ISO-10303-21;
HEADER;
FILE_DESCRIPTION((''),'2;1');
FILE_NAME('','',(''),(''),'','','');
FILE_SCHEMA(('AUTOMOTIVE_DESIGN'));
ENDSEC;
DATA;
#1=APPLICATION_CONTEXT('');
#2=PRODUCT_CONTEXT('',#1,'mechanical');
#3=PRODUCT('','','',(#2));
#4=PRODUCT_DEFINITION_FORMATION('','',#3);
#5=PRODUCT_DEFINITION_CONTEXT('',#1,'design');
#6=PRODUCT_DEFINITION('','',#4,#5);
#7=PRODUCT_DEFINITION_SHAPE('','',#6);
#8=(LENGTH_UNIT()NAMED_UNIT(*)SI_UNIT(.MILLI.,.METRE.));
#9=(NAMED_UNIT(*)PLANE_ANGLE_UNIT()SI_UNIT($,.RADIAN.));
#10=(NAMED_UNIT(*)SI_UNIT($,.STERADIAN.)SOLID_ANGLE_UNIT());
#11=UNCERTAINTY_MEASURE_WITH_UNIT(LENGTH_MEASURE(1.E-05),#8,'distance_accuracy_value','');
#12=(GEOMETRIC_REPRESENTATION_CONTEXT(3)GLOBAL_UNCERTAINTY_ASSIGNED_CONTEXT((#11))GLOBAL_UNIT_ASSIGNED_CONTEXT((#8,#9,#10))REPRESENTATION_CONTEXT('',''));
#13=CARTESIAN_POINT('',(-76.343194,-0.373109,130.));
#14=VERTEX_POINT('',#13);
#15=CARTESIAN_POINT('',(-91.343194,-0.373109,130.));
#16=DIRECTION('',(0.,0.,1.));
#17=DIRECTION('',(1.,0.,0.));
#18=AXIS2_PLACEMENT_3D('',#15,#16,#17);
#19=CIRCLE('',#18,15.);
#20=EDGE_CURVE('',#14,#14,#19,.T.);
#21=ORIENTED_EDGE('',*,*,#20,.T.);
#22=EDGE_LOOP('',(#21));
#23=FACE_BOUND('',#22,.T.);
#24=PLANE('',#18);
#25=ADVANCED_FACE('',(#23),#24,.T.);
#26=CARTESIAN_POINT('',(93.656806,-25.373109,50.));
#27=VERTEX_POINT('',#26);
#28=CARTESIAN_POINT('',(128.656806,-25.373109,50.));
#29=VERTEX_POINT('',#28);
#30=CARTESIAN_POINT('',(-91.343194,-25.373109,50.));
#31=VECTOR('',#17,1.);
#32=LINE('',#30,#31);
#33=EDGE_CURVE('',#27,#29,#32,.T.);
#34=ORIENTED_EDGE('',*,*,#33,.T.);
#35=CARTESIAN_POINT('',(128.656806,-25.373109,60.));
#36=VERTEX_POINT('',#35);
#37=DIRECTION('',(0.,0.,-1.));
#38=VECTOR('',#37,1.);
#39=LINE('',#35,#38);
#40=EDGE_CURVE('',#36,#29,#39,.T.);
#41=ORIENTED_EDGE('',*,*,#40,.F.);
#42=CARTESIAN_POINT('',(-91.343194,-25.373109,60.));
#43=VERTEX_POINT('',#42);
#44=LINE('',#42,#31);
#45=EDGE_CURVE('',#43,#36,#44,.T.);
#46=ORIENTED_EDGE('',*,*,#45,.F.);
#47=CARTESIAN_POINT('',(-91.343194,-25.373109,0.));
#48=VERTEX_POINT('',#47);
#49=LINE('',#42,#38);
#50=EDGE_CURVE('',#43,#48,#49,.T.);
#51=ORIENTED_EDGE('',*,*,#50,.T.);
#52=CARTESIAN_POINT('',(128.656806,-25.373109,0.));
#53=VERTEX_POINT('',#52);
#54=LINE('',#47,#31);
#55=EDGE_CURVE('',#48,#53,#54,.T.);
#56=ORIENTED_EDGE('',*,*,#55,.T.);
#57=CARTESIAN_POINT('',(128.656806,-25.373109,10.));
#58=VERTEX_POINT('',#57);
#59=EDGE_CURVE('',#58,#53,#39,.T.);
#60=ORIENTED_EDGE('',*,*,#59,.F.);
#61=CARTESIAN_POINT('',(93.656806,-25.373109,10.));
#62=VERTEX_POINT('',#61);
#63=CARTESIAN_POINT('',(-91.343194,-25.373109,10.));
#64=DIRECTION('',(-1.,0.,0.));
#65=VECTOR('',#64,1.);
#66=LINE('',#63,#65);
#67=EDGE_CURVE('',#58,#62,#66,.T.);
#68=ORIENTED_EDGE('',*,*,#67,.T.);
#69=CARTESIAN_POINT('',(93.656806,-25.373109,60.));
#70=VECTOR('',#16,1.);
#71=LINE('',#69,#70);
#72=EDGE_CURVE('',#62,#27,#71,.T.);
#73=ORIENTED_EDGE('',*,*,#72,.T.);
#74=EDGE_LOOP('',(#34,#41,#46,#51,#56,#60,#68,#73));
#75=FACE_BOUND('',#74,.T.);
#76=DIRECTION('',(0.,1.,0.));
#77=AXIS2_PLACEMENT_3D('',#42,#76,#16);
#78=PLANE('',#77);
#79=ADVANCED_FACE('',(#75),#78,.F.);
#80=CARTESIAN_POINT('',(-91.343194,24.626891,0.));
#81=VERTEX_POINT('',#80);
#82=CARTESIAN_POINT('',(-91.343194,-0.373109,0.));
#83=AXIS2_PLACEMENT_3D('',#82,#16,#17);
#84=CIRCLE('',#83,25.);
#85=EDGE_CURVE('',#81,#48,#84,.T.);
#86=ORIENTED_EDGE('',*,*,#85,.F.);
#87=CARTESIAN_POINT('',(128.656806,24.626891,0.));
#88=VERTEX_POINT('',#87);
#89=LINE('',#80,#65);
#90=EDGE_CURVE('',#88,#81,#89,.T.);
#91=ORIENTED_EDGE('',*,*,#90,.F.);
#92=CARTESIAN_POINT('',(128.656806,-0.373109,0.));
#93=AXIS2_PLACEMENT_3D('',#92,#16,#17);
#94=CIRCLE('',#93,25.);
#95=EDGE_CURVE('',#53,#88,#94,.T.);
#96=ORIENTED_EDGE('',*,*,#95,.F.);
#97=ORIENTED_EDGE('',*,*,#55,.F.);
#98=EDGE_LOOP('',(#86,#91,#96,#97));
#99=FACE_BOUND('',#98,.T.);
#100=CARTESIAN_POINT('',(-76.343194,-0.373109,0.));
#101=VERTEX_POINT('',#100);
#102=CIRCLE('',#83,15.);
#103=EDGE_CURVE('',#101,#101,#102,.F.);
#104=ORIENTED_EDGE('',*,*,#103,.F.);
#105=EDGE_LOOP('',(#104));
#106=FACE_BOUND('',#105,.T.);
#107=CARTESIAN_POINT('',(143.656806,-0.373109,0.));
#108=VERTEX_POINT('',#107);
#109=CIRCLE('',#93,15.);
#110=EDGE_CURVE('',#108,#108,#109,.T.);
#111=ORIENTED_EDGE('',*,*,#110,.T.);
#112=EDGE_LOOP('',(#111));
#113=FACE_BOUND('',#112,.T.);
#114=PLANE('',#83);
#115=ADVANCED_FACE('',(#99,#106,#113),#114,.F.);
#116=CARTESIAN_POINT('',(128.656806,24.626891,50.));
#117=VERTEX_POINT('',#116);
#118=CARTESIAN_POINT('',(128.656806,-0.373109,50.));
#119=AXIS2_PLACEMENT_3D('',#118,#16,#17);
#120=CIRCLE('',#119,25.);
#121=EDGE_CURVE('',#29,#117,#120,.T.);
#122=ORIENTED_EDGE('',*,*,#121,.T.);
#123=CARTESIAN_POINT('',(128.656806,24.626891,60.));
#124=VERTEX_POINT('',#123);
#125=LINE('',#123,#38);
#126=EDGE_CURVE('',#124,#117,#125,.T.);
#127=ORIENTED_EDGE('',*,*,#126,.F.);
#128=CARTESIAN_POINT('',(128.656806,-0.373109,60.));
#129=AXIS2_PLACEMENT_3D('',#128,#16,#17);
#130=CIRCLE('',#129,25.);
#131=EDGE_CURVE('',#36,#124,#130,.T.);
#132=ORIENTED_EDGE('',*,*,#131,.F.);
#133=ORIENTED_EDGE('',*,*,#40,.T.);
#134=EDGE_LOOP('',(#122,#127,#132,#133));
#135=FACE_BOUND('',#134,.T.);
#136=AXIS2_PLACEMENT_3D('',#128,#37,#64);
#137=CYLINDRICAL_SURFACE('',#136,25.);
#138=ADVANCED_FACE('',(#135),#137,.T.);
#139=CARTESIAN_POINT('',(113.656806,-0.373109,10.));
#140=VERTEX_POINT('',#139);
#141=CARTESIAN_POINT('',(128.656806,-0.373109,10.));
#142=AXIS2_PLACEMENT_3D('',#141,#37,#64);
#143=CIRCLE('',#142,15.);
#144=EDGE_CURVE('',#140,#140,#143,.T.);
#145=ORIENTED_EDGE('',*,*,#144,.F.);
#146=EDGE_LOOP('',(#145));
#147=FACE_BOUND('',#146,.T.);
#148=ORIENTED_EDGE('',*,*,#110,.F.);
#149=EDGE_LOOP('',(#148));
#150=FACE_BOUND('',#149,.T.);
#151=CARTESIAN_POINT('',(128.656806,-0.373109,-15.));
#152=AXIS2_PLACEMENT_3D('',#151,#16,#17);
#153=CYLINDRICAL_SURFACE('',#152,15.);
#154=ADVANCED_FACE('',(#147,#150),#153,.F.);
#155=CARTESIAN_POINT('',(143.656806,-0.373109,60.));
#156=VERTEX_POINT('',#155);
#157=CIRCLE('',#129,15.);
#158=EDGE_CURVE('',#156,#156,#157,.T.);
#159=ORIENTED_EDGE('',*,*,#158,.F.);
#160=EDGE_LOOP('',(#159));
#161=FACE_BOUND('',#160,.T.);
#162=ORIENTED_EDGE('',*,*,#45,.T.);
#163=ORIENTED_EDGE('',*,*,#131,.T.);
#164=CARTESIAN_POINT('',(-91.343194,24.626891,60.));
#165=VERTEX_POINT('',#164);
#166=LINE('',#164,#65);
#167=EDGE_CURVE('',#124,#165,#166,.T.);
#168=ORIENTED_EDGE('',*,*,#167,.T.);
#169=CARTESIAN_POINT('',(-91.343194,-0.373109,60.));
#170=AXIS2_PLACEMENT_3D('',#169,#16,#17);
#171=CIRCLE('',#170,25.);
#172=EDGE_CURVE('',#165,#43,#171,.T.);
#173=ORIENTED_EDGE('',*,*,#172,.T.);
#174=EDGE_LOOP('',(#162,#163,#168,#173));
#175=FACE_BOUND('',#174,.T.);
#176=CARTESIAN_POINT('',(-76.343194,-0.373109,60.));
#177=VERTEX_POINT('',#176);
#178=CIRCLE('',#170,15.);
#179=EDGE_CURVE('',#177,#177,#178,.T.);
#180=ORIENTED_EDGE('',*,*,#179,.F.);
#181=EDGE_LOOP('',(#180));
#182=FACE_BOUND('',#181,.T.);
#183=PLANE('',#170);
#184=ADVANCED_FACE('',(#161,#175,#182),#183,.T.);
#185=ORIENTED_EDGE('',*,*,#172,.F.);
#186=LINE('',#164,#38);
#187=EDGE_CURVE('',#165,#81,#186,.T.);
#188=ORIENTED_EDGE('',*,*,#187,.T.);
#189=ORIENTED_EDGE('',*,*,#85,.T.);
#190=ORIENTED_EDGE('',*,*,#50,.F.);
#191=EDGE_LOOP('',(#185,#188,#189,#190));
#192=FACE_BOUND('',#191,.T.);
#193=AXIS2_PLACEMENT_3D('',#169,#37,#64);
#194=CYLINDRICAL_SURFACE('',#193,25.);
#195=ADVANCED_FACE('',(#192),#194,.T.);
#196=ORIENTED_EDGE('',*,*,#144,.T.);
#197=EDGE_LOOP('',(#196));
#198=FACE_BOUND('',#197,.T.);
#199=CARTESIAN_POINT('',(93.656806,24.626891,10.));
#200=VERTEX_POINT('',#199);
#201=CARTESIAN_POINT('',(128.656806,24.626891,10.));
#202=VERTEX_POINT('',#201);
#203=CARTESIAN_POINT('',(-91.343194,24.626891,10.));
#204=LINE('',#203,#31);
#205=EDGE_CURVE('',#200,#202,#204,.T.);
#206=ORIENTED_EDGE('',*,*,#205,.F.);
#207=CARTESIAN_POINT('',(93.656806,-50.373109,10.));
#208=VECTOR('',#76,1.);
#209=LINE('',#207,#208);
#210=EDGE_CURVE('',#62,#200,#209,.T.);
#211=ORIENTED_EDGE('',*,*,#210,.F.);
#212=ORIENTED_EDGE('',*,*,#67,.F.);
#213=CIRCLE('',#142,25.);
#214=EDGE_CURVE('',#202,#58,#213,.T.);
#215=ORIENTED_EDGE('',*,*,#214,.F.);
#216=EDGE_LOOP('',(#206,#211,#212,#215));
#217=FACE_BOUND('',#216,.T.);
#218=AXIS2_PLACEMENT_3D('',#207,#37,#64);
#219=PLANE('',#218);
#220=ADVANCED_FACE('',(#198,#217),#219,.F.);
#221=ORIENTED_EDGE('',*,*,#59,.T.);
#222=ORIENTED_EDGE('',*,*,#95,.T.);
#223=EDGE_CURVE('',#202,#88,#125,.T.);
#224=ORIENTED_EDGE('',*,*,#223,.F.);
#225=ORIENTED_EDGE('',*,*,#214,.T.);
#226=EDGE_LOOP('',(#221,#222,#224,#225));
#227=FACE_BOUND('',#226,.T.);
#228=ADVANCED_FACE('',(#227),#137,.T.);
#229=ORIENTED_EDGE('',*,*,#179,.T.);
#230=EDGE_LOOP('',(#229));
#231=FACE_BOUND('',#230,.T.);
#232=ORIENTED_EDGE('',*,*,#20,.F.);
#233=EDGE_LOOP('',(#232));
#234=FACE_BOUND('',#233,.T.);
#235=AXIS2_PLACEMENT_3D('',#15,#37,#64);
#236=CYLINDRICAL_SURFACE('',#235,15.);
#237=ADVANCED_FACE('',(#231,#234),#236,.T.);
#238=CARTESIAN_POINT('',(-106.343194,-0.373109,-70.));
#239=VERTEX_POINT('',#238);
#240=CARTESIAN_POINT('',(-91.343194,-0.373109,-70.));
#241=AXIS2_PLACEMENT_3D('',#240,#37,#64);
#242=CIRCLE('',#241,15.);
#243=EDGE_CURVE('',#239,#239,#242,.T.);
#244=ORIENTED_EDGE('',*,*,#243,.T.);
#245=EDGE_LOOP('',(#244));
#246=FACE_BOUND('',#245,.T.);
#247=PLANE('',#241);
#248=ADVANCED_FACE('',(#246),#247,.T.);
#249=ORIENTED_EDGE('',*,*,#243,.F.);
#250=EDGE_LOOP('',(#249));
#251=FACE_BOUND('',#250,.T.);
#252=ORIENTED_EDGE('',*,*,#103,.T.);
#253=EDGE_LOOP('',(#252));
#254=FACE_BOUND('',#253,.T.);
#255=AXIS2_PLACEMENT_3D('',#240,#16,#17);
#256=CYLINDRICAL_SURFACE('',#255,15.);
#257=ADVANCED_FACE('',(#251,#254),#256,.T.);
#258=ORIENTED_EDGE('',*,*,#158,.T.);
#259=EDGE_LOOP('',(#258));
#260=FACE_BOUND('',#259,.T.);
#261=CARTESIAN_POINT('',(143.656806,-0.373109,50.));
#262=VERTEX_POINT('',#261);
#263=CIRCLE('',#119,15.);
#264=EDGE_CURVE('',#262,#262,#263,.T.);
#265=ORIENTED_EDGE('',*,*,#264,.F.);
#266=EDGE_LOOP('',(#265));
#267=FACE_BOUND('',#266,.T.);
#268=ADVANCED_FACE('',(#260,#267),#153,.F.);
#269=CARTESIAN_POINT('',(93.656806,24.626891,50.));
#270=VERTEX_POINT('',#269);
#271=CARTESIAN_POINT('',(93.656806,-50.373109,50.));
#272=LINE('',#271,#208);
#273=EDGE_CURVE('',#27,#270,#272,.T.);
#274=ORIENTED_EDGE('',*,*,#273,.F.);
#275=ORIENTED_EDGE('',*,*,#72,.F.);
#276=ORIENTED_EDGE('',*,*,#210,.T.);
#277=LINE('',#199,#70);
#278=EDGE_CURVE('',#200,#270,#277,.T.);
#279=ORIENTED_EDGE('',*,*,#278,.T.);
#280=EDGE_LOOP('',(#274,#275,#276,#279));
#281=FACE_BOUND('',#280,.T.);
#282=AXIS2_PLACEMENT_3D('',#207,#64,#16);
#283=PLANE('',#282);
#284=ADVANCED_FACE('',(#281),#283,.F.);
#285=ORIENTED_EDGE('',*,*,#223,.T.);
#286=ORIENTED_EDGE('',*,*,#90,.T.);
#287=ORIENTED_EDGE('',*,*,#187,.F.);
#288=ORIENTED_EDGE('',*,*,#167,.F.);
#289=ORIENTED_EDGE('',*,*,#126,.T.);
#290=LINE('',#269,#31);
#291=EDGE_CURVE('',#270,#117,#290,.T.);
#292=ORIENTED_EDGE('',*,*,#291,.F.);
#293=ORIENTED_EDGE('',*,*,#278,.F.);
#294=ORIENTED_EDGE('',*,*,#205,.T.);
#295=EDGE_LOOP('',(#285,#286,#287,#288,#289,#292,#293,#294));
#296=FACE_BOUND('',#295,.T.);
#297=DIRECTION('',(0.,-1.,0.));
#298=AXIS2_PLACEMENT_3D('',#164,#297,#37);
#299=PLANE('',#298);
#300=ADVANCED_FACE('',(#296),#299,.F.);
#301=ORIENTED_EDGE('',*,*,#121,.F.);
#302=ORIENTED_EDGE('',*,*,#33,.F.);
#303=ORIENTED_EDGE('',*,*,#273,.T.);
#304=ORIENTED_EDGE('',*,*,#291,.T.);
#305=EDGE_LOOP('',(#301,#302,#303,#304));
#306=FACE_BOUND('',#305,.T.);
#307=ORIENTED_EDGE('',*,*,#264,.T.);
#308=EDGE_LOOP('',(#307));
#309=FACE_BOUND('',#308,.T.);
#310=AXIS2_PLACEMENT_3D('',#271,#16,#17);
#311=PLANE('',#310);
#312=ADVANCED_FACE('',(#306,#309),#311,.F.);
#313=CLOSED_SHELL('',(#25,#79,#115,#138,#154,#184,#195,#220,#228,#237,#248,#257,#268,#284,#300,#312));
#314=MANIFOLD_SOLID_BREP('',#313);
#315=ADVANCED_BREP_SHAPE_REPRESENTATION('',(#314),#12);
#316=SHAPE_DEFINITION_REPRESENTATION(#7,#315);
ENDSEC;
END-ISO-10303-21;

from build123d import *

# Parameters (mm, degrees)
BOSS_EXTRUDE1_DEPTH = 60
SKETCH2_R           = 15
BOSS_EXTRUDE2_DEPTH = 70
BOSS_EXTRUDE3_START = 70
SKETCH3_R           = 15
BOSS_EXTRUDE3_DEPTH = 70
SKETCH4_W           = 60
SKETCH4_H           = 40
CUT_EXTRUDE1_DEPTH  = 75
SKETCH5_R           = 15
CUT_EXTRUDE2_DEPTH  = 75


with BuildPart() as part:
    # Sketch1 → Boss-Extrude1 (new body)
    with BuildSketch(Plane.XY):
        with BuildLine():
            Line((-91.343193625, 24.62689066), (128.656806375, 24.62689066))
            ThreePointArc((128.656806375, 24.62689066), (153.656806375, -0.37310934), (128.656806375, -25.37310934))
            Line((128.656806375, -25.37310934), (-91.343193625, -25.37310934))
            ThreePointArc((-91.343193625, -25.37310934), (-116.343193625, -0.37310934), (-91.343193625, 24.62689066))
        make_face()
    extrude(amount=BOSS_EXTRUDE1_DEPTH)

    # Sketch2 → Boss-Extrude2 (add)
    with BuildSketch(Plane.XY.offset(60)):
        with Locations((-91.343193625, -0.37310934)):
            Circle(SKETCH2_R)
    extrude(amount=BOSS_EXTRUDE2_DEPTH)

    # Sketch3 → Boss-Extrude3 (add)
    with BuildSketch(Plane(origin=(0, 0, 0), x_dir=(-1, 0, 0), z_dir=(0, 0, -1)).offset(BOSS_EXTRUDE3_START)):
        with Locations(Location((91.343193625, -0.37310934, 0), (0, 0, 180))):
            Circle(SKETCH3_R)
    extrude(amount=-BOSS_EXTRUDE3_DEPTH)

    # Sketch4 → Cut-Extrude1 (cut)
    with BuildSketch(Plane(origin=(0, 24.62689066, 0), x_dir=(1, 0, 0), z_dir=(0, 1, 0))):
        with Locations((123.656806375, -30)):
            Rectangle(SKETCH4_W, SKETCH4_H)
    extrude(amount=-CUT_EXTRUDE1_DEPTH, mode=Mode.SUBTRACT)

    # Sketch5 → Cut-Extrude2 (cut)
    with BuildSketch(Plane.XY.offset(60)):
        with Locations((128.656806375, -0.37310934)):
            Circle(SKETCH5_R)
    extrude(amount=-CUT_EXTRUDE2_DEPTH, mode=Mode.SUBTRACT)


solid = part.part
